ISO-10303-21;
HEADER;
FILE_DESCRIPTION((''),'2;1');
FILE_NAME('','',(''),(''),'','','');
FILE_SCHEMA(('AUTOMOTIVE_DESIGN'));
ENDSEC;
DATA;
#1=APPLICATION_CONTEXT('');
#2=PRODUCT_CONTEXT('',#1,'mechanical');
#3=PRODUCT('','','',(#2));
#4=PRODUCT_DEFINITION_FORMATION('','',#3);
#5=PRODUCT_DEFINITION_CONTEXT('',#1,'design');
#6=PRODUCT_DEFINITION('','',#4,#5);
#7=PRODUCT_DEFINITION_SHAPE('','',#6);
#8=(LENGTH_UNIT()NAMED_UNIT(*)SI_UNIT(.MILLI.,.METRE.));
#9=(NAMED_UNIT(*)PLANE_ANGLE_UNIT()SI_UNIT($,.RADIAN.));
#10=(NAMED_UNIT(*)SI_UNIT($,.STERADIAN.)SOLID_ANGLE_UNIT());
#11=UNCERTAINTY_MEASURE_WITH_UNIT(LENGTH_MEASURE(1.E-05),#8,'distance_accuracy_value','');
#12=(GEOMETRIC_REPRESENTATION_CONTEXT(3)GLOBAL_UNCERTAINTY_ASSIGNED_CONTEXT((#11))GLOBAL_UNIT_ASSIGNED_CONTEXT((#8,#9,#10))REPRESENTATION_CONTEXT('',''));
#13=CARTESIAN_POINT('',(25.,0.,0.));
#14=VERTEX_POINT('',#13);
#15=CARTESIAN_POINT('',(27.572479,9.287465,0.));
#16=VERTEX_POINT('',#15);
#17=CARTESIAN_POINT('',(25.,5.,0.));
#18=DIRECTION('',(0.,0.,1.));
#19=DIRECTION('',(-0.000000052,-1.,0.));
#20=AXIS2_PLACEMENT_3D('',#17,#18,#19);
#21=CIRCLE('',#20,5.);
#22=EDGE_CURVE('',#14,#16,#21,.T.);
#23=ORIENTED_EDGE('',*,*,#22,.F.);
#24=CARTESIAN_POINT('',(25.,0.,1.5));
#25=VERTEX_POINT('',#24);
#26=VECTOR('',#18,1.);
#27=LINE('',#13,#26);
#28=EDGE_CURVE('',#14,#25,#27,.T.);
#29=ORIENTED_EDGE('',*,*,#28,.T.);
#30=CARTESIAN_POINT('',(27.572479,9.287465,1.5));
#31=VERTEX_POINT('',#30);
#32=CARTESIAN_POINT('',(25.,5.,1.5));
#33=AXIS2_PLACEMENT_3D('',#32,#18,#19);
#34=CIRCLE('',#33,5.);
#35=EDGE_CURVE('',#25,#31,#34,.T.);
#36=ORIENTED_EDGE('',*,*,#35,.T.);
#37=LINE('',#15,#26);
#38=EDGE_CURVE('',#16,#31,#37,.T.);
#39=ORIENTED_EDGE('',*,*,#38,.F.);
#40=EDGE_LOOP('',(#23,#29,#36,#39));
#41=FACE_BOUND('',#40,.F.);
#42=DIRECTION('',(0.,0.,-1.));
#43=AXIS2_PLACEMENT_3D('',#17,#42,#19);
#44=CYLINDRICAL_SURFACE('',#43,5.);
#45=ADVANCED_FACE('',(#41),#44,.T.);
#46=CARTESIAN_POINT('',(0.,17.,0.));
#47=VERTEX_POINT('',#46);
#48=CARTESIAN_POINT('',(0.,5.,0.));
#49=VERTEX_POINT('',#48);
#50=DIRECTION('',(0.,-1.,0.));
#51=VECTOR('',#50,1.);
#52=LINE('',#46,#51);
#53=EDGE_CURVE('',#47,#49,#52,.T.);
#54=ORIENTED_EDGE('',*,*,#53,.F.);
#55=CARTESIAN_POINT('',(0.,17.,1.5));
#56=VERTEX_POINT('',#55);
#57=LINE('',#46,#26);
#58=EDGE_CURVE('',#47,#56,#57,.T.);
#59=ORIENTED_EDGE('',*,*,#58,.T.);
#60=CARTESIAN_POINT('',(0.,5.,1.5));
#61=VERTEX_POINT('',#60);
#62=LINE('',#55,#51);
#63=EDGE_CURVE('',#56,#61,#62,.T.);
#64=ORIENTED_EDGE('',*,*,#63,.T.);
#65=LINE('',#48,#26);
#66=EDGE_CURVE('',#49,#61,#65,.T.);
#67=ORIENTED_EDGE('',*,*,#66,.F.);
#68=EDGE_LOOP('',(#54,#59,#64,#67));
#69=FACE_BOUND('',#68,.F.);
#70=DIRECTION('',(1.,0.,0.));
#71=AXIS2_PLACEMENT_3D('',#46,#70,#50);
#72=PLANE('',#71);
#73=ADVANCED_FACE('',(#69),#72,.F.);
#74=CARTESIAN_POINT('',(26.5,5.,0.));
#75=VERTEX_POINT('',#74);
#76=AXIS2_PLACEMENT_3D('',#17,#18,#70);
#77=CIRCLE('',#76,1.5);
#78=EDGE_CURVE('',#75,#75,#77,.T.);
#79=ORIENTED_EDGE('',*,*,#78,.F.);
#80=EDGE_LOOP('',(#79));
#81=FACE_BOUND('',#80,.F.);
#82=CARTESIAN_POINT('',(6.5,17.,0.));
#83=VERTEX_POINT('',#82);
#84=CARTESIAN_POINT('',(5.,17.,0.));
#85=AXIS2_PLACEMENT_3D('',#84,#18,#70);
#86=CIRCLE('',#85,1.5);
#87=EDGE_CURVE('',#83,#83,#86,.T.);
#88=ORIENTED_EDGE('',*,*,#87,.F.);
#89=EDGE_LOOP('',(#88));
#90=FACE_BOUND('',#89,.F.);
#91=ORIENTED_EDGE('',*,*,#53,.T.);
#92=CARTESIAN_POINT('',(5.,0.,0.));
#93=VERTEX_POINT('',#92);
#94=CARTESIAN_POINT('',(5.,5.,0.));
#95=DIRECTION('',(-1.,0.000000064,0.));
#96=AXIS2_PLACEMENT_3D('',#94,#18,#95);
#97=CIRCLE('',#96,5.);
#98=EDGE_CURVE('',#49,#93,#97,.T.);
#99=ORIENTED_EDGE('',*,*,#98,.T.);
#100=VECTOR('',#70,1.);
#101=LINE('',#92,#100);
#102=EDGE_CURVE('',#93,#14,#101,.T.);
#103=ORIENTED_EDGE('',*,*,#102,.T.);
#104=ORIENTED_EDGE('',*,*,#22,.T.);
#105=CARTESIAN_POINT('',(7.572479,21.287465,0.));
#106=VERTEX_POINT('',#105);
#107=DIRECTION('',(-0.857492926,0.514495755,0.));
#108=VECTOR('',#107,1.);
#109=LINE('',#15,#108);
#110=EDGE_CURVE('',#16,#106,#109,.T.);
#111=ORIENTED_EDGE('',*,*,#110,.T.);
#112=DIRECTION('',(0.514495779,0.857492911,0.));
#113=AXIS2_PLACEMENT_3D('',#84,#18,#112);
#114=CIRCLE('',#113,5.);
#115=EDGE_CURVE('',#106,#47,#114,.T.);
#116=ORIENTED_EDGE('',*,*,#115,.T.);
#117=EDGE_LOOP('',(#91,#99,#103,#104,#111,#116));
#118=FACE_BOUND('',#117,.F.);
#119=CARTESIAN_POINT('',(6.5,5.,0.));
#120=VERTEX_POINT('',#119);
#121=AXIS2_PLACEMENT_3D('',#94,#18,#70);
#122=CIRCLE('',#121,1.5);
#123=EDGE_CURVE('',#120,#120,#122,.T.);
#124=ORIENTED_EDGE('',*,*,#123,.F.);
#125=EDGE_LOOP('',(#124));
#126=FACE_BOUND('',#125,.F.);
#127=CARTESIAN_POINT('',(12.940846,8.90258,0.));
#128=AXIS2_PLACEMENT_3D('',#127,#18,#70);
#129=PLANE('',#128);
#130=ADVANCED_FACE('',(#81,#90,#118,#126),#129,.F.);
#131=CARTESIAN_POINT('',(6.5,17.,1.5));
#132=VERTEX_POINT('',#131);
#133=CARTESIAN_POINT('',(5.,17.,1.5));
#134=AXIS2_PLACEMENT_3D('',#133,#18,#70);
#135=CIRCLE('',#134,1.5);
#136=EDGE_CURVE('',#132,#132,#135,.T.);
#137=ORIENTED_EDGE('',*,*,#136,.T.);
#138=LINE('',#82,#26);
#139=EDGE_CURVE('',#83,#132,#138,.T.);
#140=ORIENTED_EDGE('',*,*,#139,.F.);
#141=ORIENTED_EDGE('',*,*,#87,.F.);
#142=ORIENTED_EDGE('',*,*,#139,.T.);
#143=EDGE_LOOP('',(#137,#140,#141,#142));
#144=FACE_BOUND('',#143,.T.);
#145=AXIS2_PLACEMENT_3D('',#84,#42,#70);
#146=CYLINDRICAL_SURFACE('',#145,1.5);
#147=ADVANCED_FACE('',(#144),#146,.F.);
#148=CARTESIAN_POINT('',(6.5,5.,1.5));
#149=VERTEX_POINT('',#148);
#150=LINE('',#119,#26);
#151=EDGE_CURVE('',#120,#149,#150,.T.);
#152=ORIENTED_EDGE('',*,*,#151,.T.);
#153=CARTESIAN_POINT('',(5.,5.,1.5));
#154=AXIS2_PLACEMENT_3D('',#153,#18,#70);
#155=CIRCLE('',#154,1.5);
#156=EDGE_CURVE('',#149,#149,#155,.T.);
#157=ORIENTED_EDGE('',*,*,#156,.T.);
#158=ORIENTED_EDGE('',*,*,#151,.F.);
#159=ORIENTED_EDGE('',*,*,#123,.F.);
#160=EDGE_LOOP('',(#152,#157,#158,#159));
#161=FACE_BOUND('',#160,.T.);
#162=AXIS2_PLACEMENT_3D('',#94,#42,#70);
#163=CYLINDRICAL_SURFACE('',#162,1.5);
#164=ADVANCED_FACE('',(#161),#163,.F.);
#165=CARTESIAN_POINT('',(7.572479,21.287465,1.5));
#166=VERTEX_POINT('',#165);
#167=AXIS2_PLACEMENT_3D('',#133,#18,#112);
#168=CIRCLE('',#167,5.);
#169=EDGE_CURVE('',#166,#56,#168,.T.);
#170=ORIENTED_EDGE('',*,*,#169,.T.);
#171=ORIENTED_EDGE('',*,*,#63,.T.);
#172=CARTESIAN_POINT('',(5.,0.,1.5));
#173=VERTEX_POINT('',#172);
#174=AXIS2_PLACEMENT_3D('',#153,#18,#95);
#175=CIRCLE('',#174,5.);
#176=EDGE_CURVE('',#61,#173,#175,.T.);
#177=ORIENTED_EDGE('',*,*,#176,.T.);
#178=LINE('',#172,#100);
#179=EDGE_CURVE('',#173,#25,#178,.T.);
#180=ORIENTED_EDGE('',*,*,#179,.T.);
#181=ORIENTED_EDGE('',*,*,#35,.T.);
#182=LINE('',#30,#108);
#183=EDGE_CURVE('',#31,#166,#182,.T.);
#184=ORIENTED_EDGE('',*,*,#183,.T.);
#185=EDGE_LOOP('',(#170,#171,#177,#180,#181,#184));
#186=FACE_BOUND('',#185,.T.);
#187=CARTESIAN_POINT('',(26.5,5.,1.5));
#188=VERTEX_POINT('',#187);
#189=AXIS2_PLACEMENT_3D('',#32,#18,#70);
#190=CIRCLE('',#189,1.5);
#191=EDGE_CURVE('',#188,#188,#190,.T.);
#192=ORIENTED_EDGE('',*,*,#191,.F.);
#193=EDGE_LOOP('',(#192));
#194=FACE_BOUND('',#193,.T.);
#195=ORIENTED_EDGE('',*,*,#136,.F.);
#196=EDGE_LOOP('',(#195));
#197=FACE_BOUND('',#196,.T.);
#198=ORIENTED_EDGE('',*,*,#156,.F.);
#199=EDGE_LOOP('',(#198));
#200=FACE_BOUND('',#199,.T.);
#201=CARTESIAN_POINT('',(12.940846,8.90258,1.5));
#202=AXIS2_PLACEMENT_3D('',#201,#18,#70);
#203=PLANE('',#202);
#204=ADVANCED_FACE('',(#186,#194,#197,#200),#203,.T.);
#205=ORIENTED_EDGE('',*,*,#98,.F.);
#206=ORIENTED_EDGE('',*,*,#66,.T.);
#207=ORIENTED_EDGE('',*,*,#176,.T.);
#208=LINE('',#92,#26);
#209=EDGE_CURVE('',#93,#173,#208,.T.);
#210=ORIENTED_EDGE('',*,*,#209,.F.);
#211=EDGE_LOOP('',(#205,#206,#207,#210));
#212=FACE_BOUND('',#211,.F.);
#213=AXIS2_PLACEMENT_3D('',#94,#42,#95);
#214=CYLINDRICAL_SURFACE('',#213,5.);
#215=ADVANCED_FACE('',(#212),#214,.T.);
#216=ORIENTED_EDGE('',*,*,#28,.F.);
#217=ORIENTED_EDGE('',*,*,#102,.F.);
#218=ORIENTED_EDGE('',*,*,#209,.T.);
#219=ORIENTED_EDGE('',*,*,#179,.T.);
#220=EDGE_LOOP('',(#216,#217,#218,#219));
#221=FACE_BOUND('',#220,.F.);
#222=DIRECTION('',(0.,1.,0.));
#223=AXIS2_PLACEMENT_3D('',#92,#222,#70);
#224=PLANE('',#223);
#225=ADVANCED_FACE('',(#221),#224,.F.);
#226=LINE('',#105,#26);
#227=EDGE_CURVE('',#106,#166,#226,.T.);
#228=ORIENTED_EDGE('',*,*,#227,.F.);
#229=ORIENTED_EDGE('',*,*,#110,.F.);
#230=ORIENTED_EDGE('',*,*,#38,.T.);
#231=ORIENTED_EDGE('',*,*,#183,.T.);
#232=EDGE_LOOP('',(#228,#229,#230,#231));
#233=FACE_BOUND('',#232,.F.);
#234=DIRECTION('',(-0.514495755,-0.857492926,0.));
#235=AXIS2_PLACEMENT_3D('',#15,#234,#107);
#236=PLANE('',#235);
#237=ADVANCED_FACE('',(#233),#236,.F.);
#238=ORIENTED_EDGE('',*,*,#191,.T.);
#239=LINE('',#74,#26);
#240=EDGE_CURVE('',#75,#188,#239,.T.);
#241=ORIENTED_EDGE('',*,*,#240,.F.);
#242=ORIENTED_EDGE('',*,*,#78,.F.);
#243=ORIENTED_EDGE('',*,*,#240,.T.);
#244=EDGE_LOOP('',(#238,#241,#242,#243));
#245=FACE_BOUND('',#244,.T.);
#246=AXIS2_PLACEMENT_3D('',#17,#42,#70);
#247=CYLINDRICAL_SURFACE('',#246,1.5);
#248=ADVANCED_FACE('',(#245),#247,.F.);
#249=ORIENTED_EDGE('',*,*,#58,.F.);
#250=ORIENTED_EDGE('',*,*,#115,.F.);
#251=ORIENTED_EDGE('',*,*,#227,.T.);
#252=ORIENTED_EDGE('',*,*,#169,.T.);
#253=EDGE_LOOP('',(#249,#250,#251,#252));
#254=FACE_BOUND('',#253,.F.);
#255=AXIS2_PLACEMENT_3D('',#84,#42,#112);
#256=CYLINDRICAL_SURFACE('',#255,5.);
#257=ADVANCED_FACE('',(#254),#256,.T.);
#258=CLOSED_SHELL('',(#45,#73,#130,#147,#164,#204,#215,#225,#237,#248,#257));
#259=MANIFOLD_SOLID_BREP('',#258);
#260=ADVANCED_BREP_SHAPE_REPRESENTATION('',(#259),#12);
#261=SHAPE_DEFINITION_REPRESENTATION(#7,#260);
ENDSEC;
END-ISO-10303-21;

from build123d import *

# Parameters (mm, degrees)
F0_R     = 1.5
F1_DEPTH = 1.5


with BuildPart() as f1:
    # F0 (on Top) → F1 (new body)
    with BuildSketch(Plane.XY):
        with BuildLine():
            Line((0, 17), (0, 5))
            ThreePointArc((0, 5), (1.464466, 1.464466), (5, 0))
            Line((5, 0), (25, 0))
            ThreePointArc((25, 0), (29.818575, 3.665332), (27.572479, 9.287465))
            Line((27.572479, 9.287465), (7.572479, 21.287465))
            ThreePointArc((7.572479, 21.287465), (2.536506, 21.351), (0, 17))
        make_face()
        with Locations((5, 5)):
            Circle(F0_R, mode=Mode.SUBTRACT)
        with Locations((25, 5)):
            Circle(F0_R, mode=Mode.SUBTRACT)
        with Locations((5, 17)):
            Circle(F0_R, mode=Mode.SUBTRACT)
    extrude(amount=F1_DEPTH)


solid = f1.part
